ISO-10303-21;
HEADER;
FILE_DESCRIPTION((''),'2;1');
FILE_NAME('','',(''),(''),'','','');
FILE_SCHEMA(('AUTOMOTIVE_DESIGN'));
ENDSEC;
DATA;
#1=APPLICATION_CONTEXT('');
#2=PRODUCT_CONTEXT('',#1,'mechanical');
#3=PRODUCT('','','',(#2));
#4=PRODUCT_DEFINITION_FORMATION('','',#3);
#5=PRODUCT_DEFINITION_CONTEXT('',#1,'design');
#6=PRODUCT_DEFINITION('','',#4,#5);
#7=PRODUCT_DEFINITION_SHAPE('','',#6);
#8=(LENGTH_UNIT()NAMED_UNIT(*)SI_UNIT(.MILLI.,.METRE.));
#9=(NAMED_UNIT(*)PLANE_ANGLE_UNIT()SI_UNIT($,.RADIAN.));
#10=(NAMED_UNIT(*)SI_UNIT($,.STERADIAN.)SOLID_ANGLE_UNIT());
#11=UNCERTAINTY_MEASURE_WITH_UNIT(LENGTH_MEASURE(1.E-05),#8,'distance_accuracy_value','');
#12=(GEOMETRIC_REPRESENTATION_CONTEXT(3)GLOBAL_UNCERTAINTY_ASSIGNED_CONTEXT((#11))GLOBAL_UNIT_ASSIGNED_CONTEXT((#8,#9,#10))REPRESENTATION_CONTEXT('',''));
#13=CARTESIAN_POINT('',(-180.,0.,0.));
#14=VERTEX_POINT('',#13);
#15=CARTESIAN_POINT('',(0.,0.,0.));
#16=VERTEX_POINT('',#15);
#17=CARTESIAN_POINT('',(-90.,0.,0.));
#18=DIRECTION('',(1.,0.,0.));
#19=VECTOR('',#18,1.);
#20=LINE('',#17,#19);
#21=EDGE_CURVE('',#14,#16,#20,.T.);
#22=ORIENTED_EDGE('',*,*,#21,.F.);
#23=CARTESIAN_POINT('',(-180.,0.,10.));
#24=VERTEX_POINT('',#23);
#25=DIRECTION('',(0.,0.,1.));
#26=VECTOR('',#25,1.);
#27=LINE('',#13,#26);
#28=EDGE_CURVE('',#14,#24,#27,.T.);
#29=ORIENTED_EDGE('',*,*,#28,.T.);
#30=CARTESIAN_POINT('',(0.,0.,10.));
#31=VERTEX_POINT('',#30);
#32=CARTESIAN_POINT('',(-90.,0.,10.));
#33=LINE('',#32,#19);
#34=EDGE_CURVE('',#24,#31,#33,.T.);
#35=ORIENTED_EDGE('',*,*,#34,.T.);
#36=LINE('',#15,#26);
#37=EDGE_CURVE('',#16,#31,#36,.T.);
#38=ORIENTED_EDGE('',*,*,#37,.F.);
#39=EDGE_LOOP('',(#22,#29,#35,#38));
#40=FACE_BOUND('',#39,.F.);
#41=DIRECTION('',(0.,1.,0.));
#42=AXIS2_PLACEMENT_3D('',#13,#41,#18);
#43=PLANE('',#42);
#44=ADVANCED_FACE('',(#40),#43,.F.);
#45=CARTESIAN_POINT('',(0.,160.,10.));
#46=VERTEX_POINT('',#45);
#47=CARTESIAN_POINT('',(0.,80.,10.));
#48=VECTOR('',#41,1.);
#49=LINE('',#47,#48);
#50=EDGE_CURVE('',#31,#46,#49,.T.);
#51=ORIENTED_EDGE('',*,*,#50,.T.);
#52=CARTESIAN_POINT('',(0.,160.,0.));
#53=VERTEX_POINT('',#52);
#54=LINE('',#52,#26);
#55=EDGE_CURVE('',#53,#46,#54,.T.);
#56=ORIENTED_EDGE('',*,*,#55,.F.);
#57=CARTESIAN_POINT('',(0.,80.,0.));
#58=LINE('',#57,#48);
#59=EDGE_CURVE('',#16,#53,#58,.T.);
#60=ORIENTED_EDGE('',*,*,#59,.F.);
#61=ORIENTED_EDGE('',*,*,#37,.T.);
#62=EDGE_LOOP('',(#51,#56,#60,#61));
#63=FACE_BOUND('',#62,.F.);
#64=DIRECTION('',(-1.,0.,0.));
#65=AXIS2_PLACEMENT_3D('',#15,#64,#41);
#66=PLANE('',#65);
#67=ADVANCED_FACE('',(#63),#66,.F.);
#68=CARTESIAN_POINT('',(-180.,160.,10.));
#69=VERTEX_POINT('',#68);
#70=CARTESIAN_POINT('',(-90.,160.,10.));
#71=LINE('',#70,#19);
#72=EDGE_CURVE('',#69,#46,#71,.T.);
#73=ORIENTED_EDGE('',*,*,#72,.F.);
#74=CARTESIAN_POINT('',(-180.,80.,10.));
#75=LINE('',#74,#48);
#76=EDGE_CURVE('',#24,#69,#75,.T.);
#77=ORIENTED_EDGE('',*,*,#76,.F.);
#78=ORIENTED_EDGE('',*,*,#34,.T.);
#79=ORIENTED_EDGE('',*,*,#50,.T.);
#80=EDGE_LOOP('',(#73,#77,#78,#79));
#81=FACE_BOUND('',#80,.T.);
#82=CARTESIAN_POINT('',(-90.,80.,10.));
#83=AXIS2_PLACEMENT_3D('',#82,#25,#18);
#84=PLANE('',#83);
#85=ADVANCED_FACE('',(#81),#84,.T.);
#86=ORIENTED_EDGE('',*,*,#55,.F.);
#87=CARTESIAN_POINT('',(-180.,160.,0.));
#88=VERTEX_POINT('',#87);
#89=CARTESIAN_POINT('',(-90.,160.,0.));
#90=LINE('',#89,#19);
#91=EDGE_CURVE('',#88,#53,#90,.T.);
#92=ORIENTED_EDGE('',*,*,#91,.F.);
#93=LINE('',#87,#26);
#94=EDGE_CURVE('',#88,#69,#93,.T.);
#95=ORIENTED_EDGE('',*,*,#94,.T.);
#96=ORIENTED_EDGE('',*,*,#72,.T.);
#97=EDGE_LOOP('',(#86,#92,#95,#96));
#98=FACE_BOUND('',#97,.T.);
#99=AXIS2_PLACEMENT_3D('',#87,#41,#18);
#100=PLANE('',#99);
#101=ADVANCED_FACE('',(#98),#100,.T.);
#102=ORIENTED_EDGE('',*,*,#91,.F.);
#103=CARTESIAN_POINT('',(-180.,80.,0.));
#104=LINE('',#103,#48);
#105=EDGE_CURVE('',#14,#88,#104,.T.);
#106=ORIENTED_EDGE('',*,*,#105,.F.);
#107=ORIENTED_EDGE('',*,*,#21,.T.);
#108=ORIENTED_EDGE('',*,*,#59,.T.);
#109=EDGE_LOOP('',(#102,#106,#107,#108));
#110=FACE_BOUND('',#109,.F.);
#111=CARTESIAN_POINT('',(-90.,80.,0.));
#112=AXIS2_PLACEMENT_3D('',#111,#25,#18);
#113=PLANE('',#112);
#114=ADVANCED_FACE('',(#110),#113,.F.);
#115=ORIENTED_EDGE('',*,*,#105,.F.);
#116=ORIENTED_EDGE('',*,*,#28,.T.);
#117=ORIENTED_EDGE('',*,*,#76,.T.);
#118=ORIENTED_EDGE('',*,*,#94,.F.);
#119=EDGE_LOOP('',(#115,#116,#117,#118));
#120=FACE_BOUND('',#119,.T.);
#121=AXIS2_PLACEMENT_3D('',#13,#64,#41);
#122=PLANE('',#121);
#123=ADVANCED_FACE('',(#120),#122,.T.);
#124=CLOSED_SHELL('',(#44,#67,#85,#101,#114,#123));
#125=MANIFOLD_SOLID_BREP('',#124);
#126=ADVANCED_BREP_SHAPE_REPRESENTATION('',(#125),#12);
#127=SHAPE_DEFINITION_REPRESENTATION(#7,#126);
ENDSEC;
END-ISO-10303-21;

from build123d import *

# Parameters (mm, degrees)
SKETCH_W  = 180
SKETCH_H  = 160
PAD_DEPTH = 10


with BuildPart() as part:
    # Sketch → Pad (new body)
    with BuildSketch(Plane.XY):
        with Locations((-90, 80)):
            Rectangle(SKETCH_W, SKETCH_H)
    extrude(amount=PAD_DEPTH)


solid = part.part
